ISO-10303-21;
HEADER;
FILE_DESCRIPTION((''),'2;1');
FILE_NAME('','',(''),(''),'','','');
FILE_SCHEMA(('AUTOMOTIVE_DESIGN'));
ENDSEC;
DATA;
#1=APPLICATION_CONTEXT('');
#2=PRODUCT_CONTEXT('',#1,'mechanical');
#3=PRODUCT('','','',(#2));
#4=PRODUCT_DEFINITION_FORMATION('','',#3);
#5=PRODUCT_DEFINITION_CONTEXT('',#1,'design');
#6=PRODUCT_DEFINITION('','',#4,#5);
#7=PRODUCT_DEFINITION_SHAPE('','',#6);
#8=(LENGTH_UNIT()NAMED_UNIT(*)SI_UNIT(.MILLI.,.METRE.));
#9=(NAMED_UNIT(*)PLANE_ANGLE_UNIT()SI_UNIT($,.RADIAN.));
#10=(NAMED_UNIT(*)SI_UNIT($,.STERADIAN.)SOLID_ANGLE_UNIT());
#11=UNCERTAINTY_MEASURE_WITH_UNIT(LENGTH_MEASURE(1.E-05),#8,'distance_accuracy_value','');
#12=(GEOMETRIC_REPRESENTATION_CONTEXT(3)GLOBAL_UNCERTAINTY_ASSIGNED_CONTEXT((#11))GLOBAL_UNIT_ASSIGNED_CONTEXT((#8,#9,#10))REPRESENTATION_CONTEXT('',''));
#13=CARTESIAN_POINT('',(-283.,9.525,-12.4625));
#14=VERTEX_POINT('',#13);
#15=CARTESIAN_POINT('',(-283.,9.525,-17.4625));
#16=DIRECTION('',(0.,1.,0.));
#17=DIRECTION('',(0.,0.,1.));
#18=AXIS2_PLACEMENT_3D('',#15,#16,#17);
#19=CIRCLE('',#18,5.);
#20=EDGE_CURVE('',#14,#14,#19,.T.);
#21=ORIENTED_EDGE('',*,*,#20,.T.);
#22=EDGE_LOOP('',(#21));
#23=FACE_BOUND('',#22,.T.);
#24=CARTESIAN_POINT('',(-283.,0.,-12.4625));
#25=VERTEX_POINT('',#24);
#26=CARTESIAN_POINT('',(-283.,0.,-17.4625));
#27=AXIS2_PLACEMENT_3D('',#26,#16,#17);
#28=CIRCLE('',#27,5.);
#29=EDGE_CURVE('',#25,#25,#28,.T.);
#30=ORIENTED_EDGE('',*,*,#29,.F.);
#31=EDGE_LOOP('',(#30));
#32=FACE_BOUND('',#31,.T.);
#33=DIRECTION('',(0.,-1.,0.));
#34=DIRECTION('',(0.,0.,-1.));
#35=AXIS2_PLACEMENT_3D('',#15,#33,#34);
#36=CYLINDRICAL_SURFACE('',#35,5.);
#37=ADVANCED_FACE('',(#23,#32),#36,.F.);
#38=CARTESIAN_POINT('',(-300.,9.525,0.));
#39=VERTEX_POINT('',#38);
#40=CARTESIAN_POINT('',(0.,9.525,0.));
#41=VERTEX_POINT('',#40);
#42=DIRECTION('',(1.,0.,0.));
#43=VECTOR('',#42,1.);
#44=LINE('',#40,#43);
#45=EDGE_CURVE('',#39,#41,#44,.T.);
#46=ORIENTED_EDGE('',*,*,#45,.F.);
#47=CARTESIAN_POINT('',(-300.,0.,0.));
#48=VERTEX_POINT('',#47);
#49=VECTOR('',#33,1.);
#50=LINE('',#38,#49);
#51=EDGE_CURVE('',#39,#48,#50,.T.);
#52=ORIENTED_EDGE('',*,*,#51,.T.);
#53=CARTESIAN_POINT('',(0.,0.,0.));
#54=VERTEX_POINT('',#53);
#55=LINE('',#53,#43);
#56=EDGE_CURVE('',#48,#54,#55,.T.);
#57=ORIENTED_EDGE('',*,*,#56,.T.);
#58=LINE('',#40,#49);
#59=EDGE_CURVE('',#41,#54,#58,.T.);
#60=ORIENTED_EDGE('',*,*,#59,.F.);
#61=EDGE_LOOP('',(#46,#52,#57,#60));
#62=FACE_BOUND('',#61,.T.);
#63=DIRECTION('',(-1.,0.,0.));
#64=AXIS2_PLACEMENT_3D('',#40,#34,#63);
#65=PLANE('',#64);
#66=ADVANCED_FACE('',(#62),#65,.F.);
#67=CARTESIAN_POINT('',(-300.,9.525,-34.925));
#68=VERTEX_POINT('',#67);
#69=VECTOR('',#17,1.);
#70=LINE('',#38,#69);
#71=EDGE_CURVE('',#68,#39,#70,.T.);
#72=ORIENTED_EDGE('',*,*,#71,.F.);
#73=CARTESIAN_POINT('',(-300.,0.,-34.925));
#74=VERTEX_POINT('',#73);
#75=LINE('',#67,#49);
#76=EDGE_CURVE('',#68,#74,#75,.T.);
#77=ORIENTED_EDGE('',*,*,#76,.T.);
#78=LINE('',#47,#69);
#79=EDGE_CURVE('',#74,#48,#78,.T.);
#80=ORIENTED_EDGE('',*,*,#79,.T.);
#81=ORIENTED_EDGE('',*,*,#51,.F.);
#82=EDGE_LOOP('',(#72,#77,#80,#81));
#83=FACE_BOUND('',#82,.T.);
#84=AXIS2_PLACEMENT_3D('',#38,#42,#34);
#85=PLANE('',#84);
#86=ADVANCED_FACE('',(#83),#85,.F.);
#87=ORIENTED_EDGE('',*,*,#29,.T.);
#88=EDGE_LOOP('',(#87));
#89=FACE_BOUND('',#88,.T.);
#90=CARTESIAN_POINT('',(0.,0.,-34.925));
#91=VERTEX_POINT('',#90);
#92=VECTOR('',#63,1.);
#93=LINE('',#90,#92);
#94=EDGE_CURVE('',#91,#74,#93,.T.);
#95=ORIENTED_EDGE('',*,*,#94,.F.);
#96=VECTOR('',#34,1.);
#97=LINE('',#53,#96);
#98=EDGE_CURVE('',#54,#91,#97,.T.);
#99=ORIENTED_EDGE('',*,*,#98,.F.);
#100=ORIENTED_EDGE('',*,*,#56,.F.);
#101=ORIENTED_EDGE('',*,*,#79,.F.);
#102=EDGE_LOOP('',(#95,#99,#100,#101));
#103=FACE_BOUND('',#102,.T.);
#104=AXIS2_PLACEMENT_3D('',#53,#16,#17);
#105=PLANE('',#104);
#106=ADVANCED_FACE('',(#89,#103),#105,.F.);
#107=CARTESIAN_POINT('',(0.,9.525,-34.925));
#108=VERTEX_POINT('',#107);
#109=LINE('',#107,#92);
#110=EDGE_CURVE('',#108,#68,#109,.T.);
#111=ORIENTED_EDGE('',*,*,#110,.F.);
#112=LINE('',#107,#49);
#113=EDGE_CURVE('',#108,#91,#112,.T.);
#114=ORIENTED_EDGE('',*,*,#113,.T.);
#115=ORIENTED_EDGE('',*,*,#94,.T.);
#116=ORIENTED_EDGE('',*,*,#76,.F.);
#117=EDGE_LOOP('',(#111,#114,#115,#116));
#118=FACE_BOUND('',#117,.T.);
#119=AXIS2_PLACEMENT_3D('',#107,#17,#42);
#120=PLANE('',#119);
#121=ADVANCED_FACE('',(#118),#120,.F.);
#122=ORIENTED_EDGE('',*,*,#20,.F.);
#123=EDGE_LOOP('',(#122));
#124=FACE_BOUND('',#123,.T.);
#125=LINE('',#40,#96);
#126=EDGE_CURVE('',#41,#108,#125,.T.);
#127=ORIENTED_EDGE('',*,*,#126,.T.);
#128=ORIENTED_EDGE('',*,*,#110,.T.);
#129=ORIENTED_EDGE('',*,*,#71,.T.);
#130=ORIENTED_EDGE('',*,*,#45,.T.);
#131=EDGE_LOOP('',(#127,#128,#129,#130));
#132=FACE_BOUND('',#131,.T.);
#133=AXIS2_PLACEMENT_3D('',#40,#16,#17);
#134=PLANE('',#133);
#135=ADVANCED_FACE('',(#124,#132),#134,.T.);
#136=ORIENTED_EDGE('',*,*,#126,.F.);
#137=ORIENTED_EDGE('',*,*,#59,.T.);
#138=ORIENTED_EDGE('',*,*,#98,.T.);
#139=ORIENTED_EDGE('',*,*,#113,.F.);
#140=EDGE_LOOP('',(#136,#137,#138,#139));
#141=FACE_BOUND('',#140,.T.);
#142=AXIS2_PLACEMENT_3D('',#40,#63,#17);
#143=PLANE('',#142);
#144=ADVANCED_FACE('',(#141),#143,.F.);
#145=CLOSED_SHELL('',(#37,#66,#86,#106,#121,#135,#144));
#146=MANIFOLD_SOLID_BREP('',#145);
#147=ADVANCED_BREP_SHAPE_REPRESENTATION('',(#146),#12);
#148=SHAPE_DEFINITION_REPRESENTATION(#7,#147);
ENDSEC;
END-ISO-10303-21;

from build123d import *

# Parameters (mm, degrees)
SKETCH1_W           = 300
SKETCH1_H           = 34.925
SKETCH1_R           = 5
BOSS_EXTRUDE1_DEPTH = 9.525


with BuildPart() as part:
    # Sketch1 → Boss-Extrude1 (new body)
    with BuildSketch(Plane(origin=(0, 0, 0), x_dir=(1, 0, 0), z_dir=(0, 1, 0))):
        with Locations((-150, 17.4625)):
            Rectangle(SKETCH1_W, SKETCH1_H)
        with Locations((-283, 17.4625)):
            Circle(SKETCH1_R, mode=Mode.SUBTRACT)
    extrude(amount=BOSS_EXTRUDE1_DEPTH)


solid = part.part
